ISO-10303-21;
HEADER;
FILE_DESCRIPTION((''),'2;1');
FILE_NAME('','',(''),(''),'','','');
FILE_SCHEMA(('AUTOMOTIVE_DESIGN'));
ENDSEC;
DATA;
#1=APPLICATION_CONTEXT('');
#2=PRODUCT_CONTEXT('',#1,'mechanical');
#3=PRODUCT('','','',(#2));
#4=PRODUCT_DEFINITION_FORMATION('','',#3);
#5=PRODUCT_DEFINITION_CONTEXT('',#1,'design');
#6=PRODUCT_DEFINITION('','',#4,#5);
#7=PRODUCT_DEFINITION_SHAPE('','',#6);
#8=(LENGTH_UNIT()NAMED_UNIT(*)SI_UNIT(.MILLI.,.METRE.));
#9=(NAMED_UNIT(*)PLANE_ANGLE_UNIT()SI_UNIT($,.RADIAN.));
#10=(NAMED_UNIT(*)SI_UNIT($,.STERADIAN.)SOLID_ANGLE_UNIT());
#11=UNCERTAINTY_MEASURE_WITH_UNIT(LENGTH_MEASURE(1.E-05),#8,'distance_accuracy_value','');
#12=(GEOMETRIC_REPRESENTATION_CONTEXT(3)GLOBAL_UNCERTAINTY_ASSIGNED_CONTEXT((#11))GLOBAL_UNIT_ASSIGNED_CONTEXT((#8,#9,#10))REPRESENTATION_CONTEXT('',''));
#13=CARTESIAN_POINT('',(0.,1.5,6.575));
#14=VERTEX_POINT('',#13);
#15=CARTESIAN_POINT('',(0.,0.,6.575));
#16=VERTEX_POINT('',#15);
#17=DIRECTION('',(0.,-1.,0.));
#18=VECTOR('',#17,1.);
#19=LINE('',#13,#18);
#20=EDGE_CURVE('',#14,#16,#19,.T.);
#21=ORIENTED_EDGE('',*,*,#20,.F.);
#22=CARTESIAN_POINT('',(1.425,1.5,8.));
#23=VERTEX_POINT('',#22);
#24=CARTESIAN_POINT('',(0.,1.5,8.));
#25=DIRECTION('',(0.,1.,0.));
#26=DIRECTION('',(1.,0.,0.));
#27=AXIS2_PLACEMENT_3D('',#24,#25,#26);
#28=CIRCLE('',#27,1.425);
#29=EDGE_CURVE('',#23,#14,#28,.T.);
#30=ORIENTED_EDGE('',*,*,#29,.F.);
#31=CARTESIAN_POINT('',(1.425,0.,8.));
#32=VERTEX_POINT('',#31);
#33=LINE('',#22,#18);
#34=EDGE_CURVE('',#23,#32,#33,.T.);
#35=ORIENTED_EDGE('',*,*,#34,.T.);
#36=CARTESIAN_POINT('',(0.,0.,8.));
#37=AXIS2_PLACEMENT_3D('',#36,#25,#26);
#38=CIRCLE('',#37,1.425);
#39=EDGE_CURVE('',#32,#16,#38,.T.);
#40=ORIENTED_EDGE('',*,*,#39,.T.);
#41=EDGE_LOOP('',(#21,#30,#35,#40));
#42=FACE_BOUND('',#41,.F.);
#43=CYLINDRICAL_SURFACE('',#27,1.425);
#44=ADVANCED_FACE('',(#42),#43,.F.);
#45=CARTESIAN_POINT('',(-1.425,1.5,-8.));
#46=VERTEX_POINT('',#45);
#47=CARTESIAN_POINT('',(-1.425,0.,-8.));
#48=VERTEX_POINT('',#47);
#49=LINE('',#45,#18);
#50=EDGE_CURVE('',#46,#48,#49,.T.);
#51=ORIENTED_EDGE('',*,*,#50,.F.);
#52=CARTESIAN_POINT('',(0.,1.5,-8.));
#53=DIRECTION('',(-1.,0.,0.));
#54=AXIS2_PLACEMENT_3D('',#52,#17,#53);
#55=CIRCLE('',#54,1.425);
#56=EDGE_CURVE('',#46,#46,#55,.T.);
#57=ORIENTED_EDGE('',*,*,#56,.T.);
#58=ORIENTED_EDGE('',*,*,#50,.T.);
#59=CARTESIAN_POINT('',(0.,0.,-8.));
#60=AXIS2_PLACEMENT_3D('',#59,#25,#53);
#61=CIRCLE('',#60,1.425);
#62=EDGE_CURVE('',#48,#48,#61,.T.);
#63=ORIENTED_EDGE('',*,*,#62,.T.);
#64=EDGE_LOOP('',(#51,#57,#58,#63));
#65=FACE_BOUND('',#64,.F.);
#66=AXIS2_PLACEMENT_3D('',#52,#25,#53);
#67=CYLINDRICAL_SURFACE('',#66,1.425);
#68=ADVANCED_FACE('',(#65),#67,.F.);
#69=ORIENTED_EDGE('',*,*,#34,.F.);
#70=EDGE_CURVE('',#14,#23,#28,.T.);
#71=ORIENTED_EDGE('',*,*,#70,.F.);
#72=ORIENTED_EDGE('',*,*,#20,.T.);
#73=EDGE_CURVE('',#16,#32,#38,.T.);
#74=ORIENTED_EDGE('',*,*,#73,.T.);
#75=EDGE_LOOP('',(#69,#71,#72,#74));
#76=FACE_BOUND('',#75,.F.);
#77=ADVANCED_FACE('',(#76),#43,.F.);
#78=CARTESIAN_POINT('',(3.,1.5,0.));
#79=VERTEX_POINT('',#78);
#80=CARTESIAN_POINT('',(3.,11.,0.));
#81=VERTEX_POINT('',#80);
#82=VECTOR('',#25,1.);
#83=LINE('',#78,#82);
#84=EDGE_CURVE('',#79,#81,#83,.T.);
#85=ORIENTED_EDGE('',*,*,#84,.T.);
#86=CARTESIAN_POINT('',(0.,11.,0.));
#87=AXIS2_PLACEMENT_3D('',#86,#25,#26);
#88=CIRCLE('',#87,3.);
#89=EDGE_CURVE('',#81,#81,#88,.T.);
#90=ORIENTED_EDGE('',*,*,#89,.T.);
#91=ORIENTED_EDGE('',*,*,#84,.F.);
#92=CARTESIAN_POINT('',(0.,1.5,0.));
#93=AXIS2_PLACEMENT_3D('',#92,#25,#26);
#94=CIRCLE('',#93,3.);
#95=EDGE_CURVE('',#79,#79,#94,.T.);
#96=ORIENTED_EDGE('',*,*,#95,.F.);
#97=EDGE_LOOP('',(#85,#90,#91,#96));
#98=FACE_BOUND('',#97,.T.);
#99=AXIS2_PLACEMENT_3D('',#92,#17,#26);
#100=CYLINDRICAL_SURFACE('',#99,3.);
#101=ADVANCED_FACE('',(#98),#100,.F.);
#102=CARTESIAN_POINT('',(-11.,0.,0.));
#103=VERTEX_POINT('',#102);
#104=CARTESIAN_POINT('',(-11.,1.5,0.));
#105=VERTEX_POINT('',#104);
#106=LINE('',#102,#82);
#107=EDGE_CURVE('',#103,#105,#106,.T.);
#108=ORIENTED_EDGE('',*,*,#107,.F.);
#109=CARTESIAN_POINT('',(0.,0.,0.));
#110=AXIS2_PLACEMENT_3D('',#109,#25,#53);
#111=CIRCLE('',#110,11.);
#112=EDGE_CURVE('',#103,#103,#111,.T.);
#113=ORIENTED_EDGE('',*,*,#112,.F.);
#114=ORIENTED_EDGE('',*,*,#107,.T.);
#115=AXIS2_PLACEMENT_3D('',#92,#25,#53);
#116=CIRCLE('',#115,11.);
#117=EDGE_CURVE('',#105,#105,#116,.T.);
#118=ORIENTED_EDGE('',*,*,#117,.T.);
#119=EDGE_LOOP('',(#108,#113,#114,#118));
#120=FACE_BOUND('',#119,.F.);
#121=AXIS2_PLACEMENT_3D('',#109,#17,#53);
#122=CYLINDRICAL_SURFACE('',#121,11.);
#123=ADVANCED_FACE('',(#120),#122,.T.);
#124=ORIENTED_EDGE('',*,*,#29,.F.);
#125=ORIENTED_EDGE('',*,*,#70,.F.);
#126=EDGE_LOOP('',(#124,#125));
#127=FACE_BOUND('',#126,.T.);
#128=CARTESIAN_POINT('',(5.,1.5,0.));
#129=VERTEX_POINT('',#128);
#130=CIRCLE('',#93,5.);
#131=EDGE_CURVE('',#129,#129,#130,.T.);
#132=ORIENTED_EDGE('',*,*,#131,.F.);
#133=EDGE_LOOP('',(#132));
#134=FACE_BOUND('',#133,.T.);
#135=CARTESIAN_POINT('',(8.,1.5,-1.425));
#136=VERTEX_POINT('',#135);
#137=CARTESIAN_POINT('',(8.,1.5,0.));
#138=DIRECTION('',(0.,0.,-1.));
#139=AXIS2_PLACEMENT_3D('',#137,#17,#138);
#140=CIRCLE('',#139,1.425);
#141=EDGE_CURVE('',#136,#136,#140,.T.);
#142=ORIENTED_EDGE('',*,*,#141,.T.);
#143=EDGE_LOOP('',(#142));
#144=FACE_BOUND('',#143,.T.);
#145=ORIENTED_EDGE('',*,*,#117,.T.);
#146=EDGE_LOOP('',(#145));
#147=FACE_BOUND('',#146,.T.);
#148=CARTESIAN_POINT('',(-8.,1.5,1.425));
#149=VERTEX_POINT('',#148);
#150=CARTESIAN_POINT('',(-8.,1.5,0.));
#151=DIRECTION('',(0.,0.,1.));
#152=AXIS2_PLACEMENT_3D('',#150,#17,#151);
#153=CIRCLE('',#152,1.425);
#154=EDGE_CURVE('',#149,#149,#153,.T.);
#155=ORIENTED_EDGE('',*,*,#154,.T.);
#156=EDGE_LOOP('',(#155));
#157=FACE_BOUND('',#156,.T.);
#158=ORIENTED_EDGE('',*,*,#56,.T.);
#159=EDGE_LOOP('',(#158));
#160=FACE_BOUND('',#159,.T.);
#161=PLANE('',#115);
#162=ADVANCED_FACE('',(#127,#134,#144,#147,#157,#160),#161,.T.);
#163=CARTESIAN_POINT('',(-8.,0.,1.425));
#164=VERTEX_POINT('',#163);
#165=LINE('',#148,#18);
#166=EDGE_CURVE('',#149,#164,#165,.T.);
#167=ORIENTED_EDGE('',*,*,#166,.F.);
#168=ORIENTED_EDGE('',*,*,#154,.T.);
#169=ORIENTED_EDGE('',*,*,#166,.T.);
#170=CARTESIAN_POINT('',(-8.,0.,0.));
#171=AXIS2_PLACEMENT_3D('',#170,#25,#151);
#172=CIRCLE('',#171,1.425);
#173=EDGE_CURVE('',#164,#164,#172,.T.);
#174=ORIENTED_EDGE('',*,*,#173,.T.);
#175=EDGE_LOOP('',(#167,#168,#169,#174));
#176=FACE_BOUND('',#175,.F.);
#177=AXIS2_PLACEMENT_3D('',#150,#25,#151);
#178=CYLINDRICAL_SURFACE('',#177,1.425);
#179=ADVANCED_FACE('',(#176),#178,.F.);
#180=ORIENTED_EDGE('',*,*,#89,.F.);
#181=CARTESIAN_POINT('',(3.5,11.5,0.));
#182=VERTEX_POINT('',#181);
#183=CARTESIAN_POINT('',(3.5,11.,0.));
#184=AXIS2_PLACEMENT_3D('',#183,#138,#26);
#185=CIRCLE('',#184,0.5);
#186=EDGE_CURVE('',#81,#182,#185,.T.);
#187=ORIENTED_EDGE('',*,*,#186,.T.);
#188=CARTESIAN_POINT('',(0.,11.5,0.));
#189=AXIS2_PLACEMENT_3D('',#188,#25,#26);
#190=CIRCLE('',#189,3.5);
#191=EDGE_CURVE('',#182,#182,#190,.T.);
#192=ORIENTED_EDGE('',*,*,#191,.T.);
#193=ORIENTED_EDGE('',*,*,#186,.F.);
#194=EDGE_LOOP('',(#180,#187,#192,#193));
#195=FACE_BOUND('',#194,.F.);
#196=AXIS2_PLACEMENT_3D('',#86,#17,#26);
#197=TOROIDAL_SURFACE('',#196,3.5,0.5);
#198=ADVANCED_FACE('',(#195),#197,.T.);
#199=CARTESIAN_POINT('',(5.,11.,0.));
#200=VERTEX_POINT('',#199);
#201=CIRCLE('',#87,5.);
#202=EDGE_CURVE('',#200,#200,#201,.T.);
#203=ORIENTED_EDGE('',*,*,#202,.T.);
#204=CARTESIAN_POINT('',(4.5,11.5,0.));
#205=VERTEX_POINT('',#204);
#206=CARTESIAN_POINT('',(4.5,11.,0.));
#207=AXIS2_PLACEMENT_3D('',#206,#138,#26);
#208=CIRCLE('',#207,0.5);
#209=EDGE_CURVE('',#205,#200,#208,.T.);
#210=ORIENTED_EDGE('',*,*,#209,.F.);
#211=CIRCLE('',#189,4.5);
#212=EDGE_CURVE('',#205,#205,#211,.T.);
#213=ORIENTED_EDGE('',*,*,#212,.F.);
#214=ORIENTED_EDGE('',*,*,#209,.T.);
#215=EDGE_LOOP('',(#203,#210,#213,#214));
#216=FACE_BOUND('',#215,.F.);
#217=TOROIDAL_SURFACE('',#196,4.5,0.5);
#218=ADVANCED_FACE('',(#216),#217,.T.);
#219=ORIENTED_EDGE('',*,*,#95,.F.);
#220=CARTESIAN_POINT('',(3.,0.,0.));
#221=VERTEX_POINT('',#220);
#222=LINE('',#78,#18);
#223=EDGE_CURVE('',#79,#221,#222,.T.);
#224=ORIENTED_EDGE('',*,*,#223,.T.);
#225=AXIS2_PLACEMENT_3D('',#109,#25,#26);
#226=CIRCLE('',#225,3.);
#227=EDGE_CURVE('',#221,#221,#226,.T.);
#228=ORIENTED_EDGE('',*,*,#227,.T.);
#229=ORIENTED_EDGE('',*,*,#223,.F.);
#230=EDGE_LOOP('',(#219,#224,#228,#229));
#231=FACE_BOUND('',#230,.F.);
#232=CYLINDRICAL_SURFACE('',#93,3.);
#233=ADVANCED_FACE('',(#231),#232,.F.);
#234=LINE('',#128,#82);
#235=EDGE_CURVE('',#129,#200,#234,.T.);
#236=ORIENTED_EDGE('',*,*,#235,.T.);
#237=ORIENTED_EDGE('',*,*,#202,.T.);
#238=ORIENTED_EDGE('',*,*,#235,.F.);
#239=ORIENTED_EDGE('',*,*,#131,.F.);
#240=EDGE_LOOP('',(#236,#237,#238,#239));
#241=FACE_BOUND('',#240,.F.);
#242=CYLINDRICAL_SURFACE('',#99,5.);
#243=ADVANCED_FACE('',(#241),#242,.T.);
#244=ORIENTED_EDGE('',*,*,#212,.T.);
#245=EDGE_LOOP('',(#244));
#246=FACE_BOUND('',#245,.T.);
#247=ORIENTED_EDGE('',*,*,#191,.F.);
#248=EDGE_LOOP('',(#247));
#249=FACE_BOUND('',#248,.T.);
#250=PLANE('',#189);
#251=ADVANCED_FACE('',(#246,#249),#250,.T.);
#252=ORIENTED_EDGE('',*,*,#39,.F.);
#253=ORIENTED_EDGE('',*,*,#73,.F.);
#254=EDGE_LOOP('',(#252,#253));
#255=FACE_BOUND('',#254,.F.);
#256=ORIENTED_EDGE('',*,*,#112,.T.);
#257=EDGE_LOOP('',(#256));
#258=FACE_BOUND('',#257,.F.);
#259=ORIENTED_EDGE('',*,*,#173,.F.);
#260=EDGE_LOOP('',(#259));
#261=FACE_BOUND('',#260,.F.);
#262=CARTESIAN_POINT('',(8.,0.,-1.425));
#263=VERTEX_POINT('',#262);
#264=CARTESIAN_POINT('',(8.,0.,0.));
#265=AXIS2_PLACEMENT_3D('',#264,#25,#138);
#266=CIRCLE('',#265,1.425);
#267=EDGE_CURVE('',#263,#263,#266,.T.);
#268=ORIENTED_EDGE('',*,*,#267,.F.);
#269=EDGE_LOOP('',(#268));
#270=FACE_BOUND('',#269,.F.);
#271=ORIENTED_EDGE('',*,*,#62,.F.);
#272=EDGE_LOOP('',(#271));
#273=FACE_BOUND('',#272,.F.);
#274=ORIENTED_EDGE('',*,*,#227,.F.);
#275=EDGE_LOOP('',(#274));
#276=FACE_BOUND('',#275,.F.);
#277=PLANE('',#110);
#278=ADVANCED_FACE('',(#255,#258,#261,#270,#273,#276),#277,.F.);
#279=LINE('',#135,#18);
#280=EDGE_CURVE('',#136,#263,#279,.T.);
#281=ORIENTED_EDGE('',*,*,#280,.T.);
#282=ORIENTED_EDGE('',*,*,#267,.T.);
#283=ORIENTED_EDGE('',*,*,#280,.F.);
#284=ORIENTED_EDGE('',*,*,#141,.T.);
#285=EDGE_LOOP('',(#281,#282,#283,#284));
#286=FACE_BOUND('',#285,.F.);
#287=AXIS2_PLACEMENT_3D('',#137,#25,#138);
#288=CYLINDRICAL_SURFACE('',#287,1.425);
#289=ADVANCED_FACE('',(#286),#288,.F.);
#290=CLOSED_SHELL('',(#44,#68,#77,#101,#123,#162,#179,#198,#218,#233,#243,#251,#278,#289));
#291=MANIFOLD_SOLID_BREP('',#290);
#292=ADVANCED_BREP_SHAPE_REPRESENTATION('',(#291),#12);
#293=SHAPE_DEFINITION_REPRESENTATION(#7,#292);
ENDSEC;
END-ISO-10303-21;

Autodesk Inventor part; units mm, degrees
ref_plane "YZ Plane" through (0, 0, 0) normal (1, 0, 0) x (0, 1, 0)
ref_plane "XZ Plane" through (0, 0, 0) normal (0, 1, 0) x (-1, 0, 0)
ref_plane "XY Plane" through (0, 0, 0) normal (0, 0, 1) x (1, 0, 0)
sketch "Sketch1" plane through (0, 0, 0) normal (0, 1, 0) x (-1, 0, 0)
  circle A0 centre (0, 0) radius 11
  dimension "d0" = 22
extrude "Extrusion1" add sketch "Sketch1" along normal blind 1.5
sketch "Sketch2" plane through (0, 1.5, 0) normal (0, 1, 0) x (1, 0, 0)
  circle A0 centre (0, 0) radius 5
  circle A1 centre (0, 0) radius 3
  dimension "d3" = 10
  dimension "d4" = 6
extrude "Extrusion2" add sketch "Sketch2" along normal blind 10
sketch "Sketch3" plane through (0, 1.5, 0) normal (0, 1, 0) x (1, 0, 0)
  circle A0 centre (0, 0) radius 3
  dimension "d7" = 6
extrude "Extrusion3" cut sketch "Sketch3" against normal blind 1.5
sketch "Sketch4" plane through (0, 1.5, 0) normal (0, 1, 0) x (1, 0, 0)
  circle A0 centre (0, -8) radius 1.425
  line L0 (0, 0) -> (0, -8)
  line L1 (0, 0) -> (-11, 0)
  circle A1 centre (0, 0) radius 11 projected
  dimension "d10" = 2.85
  dimension "d11" = 8
extrude "Extrusion4" cut sketch "Sketch4" against normal blind 1.5 contours A0
pattern_circular "Circular Pattern1" count 4 over 360 about axis through (0, 1.5, 0) along (0, 1, 0) of "Extrusion4"
fillet "Fillet1" radius 0.5 1 edges at (-3, 11.5, 0)
fillet "Fillet2" radius 0.5 1 edges at (-5, 11.5, 0)
properties part number "Stepper_Coupler"
